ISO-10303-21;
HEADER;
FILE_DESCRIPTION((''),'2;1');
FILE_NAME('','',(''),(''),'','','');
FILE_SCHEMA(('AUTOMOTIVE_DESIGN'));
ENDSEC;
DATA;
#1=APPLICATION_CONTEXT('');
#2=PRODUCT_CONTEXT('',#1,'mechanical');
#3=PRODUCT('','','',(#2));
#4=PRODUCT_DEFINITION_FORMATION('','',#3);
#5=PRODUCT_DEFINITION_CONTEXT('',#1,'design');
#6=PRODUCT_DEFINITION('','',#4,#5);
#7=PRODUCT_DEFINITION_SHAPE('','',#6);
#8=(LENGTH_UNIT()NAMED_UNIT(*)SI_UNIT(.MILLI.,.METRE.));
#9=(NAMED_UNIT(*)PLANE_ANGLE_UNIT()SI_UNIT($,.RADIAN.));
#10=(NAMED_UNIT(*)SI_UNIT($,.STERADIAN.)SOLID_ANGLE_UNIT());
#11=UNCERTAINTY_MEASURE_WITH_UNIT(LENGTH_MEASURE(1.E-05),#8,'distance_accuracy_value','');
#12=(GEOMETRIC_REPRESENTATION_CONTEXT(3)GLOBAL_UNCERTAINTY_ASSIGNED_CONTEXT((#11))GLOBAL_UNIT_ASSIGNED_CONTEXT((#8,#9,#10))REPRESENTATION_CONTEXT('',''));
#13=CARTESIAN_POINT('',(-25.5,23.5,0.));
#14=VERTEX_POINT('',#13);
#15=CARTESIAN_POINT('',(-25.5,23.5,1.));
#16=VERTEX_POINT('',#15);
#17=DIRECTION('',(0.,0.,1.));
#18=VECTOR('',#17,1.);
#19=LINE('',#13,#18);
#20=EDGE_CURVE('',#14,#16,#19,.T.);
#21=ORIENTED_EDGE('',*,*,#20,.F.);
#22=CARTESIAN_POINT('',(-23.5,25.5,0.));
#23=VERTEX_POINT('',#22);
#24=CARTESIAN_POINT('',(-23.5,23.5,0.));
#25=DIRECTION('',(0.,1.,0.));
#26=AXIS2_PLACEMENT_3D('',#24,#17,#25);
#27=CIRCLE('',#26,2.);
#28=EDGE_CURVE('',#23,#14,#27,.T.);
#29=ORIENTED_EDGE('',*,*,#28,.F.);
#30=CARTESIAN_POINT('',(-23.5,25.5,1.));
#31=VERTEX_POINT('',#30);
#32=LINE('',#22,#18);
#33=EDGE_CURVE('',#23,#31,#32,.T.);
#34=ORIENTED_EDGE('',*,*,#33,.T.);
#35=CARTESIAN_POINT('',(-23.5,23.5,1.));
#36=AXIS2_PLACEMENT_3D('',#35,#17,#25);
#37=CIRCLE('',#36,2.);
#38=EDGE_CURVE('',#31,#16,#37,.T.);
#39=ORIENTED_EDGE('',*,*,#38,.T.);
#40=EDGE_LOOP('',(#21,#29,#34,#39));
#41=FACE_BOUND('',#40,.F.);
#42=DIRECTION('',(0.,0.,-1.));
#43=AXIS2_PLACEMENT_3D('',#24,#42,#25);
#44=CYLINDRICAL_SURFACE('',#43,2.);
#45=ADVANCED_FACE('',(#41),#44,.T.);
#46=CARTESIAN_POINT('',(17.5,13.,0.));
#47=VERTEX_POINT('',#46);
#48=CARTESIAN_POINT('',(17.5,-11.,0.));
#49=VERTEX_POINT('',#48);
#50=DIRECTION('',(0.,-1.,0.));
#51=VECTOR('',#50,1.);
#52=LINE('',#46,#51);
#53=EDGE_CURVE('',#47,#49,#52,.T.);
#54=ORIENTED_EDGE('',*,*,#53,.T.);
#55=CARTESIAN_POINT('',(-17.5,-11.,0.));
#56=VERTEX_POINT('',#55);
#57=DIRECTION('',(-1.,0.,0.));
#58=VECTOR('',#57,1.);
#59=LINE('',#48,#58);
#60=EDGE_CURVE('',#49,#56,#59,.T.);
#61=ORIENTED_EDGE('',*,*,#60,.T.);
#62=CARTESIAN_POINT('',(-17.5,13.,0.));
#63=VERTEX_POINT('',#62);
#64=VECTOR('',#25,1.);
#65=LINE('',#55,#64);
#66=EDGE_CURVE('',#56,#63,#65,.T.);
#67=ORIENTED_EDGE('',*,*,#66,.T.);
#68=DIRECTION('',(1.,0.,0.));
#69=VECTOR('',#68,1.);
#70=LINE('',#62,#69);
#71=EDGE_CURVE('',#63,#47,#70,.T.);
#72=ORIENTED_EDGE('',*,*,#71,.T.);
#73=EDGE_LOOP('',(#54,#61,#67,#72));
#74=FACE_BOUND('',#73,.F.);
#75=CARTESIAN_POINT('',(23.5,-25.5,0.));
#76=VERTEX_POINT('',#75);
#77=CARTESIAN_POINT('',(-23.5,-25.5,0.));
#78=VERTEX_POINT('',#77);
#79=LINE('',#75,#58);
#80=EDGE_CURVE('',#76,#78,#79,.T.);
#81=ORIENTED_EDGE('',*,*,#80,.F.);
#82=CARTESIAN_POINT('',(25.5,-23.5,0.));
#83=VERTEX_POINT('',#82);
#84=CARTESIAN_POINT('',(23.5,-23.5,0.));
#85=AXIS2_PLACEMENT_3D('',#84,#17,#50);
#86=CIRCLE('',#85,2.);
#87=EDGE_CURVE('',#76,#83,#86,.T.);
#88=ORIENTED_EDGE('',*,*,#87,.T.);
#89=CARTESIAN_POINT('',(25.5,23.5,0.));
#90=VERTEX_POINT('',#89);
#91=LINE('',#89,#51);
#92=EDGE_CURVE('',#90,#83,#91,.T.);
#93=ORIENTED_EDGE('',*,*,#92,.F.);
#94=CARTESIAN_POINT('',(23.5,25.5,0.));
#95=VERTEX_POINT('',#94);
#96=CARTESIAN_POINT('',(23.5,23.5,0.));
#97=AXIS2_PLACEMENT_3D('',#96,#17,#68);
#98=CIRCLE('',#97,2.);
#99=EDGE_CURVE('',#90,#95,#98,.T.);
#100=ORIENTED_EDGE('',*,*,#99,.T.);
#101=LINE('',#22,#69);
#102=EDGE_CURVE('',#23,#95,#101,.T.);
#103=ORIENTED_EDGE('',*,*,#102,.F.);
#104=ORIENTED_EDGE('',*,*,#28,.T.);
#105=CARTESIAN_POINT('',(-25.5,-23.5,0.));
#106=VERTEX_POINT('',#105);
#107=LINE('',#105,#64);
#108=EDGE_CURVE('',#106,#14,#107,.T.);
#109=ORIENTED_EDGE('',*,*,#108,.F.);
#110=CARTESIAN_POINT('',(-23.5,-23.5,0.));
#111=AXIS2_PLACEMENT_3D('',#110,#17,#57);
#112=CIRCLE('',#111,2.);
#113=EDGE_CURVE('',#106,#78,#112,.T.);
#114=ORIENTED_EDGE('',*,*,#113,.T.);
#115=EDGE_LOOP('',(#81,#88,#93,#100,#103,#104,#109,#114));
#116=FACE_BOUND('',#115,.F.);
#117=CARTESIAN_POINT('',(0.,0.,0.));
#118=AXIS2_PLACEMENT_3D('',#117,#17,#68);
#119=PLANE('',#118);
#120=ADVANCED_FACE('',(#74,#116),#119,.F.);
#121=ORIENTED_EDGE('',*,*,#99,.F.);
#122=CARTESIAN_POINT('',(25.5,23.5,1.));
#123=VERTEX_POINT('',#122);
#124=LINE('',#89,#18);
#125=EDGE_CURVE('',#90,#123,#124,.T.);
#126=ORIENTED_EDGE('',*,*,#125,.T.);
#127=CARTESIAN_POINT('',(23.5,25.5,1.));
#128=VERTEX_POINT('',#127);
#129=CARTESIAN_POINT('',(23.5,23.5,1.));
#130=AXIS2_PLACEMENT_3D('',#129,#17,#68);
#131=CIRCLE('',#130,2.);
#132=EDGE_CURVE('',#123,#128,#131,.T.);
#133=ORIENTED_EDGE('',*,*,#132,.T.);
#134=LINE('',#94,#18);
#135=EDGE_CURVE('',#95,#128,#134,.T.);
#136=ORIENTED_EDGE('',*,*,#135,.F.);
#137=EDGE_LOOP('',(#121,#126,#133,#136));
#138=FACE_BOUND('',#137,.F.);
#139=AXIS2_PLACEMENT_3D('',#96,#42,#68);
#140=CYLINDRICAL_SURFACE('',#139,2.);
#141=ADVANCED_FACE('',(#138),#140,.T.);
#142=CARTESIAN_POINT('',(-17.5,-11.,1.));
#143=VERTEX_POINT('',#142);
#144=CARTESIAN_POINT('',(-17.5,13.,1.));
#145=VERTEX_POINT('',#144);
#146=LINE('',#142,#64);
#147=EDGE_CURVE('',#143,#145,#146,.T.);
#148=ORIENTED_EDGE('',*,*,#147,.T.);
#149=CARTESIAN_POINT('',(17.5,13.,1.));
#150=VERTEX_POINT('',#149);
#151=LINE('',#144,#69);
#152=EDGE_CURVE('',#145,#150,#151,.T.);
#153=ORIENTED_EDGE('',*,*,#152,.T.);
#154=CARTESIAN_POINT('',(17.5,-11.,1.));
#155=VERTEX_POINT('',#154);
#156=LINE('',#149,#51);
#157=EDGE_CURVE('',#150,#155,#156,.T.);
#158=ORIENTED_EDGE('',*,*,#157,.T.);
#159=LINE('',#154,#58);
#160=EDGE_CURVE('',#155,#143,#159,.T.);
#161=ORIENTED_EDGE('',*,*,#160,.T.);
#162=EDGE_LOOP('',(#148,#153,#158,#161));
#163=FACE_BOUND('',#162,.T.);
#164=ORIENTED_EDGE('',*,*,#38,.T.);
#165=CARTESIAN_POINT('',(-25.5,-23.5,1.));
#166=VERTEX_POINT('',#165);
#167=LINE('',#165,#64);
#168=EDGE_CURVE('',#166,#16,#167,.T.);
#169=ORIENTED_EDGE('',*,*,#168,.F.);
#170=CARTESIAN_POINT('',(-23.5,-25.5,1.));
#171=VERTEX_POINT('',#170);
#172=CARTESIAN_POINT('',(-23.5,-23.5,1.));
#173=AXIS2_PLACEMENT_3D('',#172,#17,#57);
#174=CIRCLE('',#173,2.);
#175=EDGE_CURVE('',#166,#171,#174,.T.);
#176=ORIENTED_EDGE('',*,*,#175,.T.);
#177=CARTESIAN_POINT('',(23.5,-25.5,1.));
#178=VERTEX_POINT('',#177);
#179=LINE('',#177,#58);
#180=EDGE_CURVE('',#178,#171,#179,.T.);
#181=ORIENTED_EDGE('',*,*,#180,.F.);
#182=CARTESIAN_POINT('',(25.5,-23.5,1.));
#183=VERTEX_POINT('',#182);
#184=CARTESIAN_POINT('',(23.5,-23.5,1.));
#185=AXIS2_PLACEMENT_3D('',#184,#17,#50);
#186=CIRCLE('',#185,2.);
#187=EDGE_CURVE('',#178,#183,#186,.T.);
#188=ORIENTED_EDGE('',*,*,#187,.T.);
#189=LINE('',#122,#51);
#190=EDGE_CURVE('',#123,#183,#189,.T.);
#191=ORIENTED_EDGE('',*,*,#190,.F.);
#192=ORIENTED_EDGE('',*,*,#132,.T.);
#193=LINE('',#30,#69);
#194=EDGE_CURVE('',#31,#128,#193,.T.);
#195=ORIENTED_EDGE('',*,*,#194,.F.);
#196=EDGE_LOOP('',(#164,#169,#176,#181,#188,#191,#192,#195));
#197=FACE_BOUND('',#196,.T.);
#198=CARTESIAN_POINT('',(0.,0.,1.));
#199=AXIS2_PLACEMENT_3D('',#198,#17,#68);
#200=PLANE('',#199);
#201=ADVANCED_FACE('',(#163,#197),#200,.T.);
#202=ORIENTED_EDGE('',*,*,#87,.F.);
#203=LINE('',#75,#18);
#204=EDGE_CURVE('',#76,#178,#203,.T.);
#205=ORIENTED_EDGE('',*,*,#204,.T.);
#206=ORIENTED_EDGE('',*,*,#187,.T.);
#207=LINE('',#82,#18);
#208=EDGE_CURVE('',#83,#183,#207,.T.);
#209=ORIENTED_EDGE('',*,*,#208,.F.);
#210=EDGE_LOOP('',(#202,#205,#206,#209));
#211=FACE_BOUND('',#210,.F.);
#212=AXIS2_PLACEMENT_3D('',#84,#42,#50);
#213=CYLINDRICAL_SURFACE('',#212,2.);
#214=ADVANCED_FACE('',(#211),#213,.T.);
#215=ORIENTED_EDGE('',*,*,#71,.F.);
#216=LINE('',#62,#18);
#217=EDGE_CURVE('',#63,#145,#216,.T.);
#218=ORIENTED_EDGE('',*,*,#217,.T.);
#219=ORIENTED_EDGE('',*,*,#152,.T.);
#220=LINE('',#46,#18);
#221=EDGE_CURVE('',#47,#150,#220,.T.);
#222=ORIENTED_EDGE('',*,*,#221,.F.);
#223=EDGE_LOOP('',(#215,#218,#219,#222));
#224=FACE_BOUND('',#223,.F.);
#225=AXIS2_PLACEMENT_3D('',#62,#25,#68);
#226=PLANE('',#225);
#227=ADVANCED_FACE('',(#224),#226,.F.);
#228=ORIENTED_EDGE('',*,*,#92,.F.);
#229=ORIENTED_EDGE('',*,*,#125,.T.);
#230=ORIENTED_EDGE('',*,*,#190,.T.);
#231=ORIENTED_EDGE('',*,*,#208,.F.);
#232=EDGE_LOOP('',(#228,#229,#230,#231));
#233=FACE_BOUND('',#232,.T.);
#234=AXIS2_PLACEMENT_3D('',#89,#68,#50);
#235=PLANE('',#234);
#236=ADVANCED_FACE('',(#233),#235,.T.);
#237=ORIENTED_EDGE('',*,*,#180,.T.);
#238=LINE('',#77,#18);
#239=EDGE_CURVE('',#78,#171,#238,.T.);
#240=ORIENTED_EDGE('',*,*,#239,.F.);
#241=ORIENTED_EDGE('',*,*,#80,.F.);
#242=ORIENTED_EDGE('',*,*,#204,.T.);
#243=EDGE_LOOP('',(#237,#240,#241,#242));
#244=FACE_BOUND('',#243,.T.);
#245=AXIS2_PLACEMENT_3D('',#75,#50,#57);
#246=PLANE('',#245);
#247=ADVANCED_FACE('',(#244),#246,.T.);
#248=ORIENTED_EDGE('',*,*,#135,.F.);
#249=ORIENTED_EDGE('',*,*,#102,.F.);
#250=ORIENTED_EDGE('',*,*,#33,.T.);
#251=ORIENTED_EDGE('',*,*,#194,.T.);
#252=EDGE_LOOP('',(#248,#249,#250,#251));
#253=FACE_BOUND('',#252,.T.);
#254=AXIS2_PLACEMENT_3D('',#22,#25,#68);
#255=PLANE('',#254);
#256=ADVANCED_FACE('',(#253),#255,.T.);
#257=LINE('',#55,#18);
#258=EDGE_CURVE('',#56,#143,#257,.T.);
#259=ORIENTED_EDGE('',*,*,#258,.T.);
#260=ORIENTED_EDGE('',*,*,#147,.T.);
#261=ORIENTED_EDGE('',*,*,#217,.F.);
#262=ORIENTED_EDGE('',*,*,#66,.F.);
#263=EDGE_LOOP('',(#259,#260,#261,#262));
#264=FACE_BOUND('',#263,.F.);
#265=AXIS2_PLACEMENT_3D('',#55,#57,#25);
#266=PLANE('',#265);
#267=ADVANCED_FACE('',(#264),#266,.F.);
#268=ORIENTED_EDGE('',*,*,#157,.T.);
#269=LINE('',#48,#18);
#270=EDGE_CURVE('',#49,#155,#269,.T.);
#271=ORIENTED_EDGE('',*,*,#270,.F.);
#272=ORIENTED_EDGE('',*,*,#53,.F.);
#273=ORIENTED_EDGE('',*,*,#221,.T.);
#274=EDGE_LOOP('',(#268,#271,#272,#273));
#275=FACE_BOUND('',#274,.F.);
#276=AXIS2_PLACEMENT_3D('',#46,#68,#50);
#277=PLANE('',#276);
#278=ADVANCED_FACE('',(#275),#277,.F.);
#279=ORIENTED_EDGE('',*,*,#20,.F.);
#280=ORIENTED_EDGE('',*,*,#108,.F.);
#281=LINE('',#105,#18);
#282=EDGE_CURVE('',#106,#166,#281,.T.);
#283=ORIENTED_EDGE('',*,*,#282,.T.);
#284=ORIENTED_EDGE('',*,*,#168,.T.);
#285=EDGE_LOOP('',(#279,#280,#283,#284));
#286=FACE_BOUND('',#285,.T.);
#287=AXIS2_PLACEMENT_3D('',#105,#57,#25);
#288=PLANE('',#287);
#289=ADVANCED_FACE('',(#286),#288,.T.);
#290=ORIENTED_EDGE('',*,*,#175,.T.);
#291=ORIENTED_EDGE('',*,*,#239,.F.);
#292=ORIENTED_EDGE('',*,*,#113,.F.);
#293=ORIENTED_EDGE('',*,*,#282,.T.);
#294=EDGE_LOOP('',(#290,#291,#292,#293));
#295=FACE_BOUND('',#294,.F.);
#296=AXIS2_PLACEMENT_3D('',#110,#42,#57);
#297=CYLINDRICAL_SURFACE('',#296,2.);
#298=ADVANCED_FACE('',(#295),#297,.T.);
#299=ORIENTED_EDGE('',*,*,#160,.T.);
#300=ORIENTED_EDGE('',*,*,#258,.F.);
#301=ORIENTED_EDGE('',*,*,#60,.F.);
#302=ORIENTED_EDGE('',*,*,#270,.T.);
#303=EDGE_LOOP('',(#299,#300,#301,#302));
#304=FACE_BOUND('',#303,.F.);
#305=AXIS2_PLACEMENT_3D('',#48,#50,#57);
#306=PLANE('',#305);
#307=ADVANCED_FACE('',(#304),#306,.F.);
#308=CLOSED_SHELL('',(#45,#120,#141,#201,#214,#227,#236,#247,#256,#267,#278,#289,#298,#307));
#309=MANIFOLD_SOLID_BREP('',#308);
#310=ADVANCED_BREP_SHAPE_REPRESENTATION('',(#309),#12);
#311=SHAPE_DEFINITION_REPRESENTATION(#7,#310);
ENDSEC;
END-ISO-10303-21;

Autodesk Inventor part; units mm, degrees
ref_plane "YZ Plane" through (0, 0, 0) normal (1, 0, 0) x (0, 1, 0)
ref_plane "XZ Plane" through (0, 0, 0) normal (0, 1, 0) x (-1, 0, 0)
ref_plane "XY Plane" through (0, 0, 0) normal (0, 0, 1) x (1, 0, 0)
sketch "Skizze1" plane through (0, 0, 0) normal (0, 0, 1) x (1, 0, 0)
  line L0 (23.5, -25.5) -> (-23.5, -25.5)
  line L1 (-25.5, -23.5) -> (-25.5, 23.5)
  line L2 (-23.5, 25.5) -> (23.5, 25.5)
  line L3 (25.5, 23.5) -> (25.5, -23.5)
  line L4 (25.5, -25.5) -> (-25.5, 25.5) construction
  line L5 (-25.5, -25.5) -> (25.5, 25.5) construction
  line L6 (-17.5, 13) -> (17.5, 13)
  line L7 (17.5, 13) -> (17.5, -11)
  line L8 (17.5, -11) -> (-17.5, -11)
  line L9 (-17.5, -11) -> (-17.5, 13)
  line L10 (-17.5, 13) -> (17.5, -11) construction
  line L11 (17.5, 13) -> (-17.5, -11) construction
  arc A0 (-23.5, 25.5) -> (-25.5, 23.5) centre (-23.5, 23.5) ccw
  arc A1 (25.5, 23.5) -> (23.5, 25.5) centre (23.5, 23.5) ccw
  arc A2 (23.5, -25.5) -> (25.5, -23.5) centre (23.5, -23.5) ccw
  arc A3 (-25.5, -23.5) -> (-23.5, -25.5) centre (-23.5, -23.5) ccw
  point P0 (0, 0)
  point P1 (0, 1)
  dimension "d0" = 51
  dimension "d1" = 51
  dimension "d2" = 35
  dimension "d3" = 24
  dimension "d4" = 12.5
  dimension "d5" = 2
extrude "Extrusion1" add sketch "Skizze1" along normal blind 1
ref_plane "Arbeitsebene1" through (0, -23.5, 0) normal (1, 0, 0) x (0, 0, -1)
properties part number "00_Grating_1000linesPerMM"
